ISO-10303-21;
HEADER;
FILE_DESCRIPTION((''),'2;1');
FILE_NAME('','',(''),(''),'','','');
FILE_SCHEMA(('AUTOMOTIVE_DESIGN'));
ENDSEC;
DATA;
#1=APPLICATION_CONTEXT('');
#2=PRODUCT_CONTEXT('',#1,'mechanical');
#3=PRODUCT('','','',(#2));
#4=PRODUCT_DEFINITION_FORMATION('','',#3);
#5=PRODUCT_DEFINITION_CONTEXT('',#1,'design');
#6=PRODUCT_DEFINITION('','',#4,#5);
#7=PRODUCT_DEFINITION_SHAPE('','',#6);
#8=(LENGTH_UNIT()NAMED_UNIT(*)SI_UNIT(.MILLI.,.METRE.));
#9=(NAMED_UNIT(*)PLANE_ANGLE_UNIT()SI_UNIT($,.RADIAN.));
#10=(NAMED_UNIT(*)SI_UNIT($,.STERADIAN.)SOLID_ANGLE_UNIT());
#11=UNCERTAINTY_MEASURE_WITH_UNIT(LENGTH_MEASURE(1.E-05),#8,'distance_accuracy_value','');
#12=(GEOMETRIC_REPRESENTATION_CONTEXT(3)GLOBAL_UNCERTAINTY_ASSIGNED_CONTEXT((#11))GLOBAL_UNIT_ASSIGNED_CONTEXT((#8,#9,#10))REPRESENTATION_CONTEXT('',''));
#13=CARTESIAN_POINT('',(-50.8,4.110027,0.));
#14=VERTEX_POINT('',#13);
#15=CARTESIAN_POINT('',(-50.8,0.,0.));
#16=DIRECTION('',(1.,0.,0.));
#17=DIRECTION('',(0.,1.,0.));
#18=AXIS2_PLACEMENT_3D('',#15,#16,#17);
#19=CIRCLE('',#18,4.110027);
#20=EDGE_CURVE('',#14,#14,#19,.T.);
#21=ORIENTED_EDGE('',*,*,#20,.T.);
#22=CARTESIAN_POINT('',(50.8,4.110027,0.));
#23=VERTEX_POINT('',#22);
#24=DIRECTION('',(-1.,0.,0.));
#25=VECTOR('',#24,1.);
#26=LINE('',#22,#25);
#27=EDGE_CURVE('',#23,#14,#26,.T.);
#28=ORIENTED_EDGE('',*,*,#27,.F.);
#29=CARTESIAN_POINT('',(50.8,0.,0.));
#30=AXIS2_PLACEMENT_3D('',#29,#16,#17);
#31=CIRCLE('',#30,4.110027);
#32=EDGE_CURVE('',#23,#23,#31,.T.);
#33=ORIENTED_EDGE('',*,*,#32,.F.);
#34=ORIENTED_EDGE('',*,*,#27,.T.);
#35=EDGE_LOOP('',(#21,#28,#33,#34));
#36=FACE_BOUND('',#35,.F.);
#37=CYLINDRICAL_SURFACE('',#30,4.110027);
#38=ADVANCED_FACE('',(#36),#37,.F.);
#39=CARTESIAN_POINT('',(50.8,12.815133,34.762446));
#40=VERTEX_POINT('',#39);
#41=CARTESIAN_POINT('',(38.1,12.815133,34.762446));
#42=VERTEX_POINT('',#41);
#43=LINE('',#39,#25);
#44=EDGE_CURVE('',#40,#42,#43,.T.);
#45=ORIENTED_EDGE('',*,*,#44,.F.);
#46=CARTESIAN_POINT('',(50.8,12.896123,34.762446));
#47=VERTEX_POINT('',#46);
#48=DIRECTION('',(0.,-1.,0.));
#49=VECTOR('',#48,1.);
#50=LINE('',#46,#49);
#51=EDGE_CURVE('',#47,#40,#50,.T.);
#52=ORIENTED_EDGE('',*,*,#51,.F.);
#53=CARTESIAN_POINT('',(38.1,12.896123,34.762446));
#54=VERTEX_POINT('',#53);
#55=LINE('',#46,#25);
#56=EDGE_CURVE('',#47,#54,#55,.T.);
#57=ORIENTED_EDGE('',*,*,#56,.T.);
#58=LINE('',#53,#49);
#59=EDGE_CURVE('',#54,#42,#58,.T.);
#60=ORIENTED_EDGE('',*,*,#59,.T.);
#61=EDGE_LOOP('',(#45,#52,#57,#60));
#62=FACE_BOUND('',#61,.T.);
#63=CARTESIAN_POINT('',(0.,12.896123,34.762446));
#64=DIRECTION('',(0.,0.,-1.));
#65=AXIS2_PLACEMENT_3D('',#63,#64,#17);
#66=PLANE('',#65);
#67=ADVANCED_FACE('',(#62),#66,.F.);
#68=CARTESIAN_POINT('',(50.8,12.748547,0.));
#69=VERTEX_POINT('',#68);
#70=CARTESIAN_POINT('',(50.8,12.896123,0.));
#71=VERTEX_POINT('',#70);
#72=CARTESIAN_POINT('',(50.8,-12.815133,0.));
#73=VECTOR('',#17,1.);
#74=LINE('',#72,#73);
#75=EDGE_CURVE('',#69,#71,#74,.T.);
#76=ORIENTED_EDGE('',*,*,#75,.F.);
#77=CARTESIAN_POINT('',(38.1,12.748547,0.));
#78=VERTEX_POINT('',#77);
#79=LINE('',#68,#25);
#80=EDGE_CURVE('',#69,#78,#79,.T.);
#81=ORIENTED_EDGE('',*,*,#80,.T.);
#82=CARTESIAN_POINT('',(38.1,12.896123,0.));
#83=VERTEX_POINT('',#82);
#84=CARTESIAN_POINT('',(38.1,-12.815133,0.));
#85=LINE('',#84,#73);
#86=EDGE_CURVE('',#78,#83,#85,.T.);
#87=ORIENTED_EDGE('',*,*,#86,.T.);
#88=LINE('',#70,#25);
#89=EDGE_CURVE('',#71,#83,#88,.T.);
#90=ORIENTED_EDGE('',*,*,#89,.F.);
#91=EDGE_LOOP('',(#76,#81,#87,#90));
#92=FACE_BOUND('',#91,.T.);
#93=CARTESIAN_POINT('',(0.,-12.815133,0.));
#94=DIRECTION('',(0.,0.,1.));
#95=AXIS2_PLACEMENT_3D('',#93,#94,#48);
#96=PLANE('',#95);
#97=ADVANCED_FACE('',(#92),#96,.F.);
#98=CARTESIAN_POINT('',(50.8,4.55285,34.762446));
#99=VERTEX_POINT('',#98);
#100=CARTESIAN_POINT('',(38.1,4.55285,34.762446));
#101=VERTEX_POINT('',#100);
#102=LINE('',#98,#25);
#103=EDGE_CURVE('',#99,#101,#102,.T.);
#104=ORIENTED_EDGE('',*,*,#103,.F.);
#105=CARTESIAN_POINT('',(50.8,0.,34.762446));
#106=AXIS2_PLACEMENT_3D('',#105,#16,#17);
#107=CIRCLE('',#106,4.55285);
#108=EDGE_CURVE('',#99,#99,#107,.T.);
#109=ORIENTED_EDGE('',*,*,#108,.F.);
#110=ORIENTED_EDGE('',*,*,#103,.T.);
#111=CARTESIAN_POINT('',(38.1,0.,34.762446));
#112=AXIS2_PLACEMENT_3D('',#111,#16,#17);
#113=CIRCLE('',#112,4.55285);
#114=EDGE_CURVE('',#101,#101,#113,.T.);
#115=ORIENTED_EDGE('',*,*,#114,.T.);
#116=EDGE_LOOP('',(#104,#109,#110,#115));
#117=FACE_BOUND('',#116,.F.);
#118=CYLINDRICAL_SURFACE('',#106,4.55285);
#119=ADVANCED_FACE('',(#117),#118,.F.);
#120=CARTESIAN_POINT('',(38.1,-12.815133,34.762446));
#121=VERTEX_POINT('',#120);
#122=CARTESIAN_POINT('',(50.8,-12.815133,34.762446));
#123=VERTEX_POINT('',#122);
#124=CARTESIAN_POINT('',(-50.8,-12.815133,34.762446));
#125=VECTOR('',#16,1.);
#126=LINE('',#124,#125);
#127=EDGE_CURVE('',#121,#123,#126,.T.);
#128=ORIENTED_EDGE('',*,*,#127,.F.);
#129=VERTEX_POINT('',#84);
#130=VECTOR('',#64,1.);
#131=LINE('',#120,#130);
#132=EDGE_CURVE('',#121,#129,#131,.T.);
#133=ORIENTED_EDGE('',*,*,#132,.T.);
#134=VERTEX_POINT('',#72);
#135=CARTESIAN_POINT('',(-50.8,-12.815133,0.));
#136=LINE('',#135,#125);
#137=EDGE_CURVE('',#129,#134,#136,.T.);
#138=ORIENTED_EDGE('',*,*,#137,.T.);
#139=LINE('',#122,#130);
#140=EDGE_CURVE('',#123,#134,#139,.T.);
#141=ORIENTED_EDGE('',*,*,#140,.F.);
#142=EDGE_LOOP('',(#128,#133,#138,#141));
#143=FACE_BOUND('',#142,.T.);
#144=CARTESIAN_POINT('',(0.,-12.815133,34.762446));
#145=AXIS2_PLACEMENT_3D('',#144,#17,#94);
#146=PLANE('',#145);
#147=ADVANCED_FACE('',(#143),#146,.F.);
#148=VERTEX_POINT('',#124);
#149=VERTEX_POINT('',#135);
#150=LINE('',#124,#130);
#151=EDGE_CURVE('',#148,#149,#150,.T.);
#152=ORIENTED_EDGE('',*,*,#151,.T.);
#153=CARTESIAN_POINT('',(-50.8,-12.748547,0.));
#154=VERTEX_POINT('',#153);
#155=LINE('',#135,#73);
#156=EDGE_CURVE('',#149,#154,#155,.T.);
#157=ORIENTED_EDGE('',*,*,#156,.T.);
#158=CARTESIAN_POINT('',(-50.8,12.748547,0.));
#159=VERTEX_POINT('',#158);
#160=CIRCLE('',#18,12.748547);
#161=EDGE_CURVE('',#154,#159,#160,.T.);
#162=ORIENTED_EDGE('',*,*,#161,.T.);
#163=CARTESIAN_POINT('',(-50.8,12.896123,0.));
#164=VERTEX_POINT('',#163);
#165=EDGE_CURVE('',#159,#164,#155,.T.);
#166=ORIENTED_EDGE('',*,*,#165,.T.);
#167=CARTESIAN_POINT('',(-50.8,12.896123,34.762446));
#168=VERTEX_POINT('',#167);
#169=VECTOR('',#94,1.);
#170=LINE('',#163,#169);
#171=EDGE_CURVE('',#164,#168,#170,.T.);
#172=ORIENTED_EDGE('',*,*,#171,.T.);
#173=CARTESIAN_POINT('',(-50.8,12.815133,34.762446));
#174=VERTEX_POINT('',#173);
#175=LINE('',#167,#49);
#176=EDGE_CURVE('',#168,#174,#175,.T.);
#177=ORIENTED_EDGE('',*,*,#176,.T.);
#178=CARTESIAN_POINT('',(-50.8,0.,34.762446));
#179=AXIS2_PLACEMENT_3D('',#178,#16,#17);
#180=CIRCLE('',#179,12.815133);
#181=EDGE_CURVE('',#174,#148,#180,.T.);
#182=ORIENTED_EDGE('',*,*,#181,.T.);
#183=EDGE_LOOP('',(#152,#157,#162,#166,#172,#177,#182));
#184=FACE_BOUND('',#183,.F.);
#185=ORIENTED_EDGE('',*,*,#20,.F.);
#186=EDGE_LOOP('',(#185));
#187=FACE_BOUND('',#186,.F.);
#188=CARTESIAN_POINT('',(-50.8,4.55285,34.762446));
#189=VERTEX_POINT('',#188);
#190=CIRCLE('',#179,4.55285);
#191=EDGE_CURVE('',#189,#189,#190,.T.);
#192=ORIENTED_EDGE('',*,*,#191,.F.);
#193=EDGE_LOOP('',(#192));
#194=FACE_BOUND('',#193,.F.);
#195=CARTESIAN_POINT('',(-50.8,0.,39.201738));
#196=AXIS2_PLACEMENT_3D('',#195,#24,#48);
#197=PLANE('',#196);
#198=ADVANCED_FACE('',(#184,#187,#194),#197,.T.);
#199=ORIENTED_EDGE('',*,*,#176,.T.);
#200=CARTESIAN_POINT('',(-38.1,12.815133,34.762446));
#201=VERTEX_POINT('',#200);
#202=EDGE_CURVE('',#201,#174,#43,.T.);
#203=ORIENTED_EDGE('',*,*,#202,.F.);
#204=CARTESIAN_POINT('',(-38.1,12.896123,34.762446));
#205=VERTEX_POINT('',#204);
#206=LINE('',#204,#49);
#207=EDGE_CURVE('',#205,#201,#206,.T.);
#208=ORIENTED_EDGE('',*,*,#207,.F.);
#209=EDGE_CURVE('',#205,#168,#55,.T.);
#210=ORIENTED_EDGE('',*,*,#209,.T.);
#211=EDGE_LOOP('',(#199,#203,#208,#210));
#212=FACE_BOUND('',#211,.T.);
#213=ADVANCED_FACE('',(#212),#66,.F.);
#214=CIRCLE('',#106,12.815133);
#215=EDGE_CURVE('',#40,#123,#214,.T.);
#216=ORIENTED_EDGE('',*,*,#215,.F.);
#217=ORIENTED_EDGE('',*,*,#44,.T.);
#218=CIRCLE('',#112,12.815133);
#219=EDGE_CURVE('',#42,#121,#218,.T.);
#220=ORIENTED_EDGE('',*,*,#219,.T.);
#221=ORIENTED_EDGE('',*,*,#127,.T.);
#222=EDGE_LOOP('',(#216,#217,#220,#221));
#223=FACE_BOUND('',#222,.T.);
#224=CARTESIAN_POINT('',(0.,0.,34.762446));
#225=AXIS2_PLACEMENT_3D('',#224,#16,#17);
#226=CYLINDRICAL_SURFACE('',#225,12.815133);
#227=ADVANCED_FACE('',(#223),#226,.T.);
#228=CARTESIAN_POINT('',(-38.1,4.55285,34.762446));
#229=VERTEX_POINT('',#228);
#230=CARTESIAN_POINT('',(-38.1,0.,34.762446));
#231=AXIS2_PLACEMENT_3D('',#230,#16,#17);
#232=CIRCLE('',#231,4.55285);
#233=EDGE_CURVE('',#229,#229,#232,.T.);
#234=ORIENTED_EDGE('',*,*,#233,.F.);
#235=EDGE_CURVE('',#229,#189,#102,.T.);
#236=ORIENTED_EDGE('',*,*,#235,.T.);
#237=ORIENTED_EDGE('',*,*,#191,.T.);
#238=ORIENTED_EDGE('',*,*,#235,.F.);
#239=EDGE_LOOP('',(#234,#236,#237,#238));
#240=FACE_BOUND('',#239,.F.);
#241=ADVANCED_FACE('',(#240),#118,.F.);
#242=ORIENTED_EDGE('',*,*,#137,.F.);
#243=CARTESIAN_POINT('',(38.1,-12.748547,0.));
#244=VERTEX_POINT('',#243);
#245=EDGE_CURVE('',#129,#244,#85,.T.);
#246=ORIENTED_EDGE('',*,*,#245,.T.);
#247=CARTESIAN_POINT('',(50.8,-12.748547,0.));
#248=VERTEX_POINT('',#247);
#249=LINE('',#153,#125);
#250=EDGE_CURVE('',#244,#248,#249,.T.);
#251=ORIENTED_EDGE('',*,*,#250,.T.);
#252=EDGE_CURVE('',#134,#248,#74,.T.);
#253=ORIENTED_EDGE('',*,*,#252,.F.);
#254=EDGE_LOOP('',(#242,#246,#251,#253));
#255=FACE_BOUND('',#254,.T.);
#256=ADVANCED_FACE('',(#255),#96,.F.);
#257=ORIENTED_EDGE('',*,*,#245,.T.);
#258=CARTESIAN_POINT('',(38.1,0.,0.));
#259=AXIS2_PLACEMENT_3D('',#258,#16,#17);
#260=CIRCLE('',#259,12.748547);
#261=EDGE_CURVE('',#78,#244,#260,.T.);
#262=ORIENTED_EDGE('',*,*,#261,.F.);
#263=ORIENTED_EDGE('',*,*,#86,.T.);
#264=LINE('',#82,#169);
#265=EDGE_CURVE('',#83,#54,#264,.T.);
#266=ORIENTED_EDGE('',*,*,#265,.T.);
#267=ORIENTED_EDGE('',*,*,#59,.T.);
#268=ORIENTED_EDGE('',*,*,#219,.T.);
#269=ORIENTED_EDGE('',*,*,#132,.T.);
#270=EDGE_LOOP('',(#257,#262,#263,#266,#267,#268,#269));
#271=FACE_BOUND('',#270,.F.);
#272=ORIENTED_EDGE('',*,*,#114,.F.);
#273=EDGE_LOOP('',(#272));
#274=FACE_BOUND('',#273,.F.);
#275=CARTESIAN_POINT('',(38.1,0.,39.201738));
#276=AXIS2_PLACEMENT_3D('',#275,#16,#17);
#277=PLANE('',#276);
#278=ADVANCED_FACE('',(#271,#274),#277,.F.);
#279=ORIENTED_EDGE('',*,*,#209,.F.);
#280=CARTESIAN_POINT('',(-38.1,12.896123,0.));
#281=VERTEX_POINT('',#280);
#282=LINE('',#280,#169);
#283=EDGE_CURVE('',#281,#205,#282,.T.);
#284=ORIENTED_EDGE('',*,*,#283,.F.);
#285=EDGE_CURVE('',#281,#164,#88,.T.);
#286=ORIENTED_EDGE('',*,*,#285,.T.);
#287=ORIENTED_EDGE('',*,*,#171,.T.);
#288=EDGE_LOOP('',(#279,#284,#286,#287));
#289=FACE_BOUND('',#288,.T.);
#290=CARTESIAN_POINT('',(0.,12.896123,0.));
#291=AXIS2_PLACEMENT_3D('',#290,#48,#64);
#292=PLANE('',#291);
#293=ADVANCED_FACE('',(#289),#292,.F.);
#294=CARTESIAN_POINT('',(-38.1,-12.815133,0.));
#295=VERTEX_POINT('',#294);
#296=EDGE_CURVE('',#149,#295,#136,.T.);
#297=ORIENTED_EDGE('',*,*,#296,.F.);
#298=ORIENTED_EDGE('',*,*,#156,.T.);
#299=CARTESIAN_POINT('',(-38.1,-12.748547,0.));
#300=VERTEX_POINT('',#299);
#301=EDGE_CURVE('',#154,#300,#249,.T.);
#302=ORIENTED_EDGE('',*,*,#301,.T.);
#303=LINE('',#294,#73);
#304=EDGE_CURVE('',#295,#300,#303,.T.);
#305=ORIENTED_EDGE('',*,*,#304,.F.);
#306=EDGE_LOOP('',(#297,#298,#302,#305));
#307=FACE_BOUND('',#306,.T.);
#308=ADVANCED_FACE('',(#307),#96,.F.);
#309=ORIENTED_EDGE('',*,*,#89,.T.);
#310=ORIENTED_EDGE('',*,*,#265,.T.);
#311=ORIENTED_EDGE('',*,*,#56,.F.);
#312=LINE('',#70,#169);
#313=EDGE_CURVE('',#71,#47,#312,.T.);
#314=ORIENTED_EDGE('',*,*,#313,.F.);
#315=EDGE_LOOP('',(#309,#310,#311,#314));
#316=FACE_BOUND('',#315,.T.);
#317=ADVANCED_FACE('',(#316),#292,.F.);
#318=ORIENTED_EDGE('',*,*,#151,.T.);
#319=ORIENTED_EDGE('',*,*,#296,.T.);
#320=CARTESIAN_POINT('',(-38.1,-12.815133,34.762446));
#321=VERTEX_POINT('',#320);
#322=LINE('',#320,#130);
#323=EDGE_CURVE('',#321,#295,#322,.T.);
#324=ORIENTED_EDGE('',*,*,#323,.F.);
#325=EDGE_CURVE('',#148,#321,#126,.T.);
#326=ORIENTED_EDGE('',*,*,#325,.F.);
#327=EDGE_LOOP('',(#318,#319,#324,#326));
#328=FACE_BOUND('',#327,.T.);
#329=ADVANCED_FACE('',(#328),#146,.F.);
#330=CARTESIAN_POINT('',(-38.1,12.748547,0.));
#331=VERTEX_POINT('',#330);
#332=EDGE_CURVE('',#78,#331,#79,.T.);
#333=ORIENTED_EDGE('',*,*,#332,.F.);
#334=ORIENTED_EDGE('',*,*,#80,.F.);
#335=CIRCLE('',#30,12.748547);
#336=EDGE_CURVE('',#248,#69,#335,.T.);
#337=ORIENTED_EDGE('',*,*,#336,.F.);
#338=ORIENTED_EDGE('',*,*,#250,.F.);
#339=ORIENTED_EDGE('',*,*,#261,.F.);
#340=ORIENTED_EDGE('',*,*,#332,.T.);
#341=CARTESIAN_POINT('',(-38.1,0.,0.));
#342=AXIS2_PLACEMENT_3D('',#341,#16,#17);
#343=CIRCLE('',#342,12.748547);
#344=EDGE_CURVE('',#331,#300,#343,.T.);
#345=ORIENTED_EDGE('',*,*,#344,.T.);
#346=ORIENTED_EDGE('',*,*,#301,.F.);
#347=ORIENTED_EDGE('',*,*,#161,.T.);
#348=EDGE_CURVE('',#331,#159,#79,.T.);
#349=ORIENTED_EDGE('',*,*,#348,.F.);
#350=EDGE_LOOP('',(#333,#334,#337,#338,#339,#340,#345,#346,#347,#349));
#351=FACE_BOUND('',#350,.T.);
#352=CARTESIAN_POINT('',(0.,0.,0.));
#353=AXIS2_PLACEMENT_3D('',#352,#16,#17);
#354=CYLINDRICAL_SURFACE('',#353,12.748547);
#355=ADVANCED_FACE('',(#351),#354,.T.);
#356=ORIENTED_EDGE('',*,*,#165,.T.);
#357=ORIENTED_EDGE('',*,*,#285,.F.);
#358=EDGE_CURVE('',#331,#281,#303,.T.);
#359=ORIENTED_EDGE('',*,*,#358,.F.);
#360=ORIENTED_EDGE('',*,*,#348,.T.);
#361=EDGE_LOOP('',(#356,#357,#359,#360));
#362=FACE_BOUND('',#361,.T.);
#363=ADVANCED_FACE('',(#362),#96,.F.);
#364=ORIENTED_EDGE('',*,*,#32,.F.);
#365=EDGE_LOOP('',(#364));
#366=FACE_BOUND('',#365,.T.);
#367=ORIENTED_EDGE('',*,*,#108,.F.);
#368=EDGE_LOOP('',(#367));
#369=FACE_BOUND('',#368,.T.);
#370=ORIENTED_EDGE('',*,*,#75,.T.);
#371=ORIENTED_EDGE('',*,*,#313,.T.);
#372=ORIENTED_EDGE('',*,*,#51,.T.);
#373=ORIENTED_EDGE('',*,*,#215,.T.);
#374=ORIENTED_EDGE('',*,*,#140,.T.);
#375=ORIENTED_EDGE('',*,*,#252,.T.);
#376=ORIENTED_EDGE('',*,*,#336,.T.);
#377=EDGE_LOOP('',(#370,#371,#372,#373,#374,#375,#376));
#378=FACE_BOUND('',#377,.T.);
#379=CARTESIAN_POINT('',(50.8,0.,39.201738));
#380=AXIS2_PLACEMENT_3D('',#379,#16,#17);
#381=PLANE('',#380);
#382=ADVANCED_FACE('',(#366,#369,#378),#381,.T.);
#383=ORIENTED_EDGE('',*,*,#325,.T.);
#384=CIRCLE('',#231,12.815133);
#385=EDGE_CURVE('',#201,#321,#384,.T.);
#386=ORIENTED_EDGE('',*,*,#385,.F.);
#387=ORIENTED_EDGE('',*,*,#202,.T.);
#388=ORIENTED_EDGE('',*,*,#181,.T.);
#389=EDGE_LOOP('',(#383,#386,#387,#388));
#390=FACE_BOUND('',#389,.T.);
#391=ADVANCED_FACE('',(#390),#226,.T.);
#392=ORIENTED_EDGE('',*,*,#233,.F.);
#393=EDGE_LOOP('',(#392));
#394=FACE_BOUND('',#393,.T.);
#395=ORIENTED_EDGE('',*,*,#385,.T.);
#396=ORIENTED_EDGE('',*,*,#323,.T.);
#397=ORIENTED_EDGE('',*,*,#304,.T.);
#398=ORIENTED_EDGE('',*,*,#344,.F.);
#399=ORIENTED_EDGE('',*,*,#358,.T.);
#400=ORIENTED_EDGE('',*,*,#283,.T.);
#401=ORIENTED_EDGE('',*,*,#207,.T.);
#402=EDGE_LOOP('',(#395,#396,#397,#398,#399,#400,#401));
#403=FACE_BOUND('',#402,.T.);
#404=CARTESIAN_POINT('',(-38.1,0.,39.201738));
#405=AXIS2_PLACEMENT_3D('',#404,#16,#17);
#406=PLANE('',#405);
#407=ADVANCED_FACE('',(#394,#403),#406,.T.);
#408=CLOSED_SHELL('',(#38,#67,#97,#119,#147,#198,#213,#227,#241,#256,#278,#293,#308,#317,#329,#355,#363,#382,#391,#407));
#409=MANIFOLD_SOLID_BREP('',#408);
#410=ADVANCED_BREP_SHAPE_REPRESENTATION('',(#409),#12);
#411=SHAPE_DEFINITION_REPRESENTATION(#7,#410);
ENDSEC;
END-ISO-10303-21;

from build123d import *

# Parameters (mm, degrees)
F0_R     = 12.7485465516
F2_DEPTH = 50.8
F4_DEPTH = 50.8
F6_DEPTH = 38.1
F7_DEPTH = 50.8
F8_R     = 4.5528503381
F8_R_2   = 4.1100274938
F9_DEPTH = 101.601


with BuildPart() as f2:
    # F0 (on Right) → F2 (new body)
    with BuildSketch(Plane.YZ):
        Circle(F0_R)
    extrude(amount=F2_DEPTH)

    # F3: F2 across plane


with BuildPart() as f2_1:
    add(f2.part)
    add(f2.part.mirror(Plane.YZ))

    # F1 (on Right) → F4 (join)
    with BuildSketch(Plane.YZ):
        with BuildLine():
            Line((-12.815132901, 34.7624458373), (12.815132901, 34.7624458373))
            ThreePointArc((12.815132901, 34.7624458373), (0, 47.5775787383), (-12.815132901, 34.7624458373))
        make_face()
        with BuildLine():
            Line((12.8961233422, 34.7624458373), (12.815132901, 34.7624458373))
            ThreePointArc((12.815132901, 34.7624458373), (0, 21.9473129363), (-12.815132901, 34.7624458373))
            Line((-12.815132901, 34.7624458373), (-12.815132901, 0))
            Line((-12.815132901, 0), (12.8961233422, 0))
            Line((12.8961233422, 0), (12.8961233422, 34.7624458373))
        make_face()
        with BuildLine():
            ThreePointArc((-12.815132901, 34.7624458373), (0, 21.9473129363), (12.815132901, 34.7624458373))
            Line((12.815132901, 34.7624458373), (-12.815132901, 34.7624458373))
        make_face()
    extrude(amount=F4_DEPTH)

    # F5: F2 across plane


with BuildPart() as f2_2:
    add(f2_1.part)
    add(f2_1.part.mirror(Plane.YZ))

    # F1 (on Right) → F6 (cut, symmetric)
    with BuildSketch(Plane.YZ):
        with BuildLine():
            Line((-12.815132901, 34.7624458373), (12.815132901, 34.7624458373))
            ThreePointArc((12.815132901, 34.7624458373), (0, 47.5775787383), (-12.815132901, 34.7624458373))
        make_face()
        with BuildLine():
            Line((12.8961233422, 34.7624458373), (12.815132901, 34.7624458373))
            ThreePointArc((12.815132901, 34.7624458373), (0, 21.9473129363), (-12.815132901, 34.7624458373))
            Line((-12.815132901, 34.7624458373), (-12.815132901, 0))
            Line((-12.815132901, 0), (12.8961233422, 0))
            Line((12.8961233422, 0), (12.8961233422, 34.7624458373))
        make_face()
        with BuildLine():
            ThreePointArc((-12.815132901, 34.7624458373), (0, 21.9473129363), (12.815132901, 34.7624458373))
            Line((12.815132901, 34.7624458373), (-12.815132901, 34.7624458373))
        make_face()
    extrude(amount=F6_DEPTH, both=True, mode=Mode.SUBTRACT)

    # F0 (on Right) → F7 (join, symmetric)
    with BuildSketch(Plane.YZ):
        Circle(F0_R)
    extrude(amount=F7_DEPTH, both=True)

    # F8 (on face) → F9 (cut, through all)
    with BuildSketch(Plane.YZ.offset(50.8)):
        with Locations((0, 34.7624458373)):
            Circle(F8_R)
        Circle(F8_R_2)
    extrude(amount=-F9_DEPTH, mode=Mode.SUBTRACT)


solid = f2_2.part
